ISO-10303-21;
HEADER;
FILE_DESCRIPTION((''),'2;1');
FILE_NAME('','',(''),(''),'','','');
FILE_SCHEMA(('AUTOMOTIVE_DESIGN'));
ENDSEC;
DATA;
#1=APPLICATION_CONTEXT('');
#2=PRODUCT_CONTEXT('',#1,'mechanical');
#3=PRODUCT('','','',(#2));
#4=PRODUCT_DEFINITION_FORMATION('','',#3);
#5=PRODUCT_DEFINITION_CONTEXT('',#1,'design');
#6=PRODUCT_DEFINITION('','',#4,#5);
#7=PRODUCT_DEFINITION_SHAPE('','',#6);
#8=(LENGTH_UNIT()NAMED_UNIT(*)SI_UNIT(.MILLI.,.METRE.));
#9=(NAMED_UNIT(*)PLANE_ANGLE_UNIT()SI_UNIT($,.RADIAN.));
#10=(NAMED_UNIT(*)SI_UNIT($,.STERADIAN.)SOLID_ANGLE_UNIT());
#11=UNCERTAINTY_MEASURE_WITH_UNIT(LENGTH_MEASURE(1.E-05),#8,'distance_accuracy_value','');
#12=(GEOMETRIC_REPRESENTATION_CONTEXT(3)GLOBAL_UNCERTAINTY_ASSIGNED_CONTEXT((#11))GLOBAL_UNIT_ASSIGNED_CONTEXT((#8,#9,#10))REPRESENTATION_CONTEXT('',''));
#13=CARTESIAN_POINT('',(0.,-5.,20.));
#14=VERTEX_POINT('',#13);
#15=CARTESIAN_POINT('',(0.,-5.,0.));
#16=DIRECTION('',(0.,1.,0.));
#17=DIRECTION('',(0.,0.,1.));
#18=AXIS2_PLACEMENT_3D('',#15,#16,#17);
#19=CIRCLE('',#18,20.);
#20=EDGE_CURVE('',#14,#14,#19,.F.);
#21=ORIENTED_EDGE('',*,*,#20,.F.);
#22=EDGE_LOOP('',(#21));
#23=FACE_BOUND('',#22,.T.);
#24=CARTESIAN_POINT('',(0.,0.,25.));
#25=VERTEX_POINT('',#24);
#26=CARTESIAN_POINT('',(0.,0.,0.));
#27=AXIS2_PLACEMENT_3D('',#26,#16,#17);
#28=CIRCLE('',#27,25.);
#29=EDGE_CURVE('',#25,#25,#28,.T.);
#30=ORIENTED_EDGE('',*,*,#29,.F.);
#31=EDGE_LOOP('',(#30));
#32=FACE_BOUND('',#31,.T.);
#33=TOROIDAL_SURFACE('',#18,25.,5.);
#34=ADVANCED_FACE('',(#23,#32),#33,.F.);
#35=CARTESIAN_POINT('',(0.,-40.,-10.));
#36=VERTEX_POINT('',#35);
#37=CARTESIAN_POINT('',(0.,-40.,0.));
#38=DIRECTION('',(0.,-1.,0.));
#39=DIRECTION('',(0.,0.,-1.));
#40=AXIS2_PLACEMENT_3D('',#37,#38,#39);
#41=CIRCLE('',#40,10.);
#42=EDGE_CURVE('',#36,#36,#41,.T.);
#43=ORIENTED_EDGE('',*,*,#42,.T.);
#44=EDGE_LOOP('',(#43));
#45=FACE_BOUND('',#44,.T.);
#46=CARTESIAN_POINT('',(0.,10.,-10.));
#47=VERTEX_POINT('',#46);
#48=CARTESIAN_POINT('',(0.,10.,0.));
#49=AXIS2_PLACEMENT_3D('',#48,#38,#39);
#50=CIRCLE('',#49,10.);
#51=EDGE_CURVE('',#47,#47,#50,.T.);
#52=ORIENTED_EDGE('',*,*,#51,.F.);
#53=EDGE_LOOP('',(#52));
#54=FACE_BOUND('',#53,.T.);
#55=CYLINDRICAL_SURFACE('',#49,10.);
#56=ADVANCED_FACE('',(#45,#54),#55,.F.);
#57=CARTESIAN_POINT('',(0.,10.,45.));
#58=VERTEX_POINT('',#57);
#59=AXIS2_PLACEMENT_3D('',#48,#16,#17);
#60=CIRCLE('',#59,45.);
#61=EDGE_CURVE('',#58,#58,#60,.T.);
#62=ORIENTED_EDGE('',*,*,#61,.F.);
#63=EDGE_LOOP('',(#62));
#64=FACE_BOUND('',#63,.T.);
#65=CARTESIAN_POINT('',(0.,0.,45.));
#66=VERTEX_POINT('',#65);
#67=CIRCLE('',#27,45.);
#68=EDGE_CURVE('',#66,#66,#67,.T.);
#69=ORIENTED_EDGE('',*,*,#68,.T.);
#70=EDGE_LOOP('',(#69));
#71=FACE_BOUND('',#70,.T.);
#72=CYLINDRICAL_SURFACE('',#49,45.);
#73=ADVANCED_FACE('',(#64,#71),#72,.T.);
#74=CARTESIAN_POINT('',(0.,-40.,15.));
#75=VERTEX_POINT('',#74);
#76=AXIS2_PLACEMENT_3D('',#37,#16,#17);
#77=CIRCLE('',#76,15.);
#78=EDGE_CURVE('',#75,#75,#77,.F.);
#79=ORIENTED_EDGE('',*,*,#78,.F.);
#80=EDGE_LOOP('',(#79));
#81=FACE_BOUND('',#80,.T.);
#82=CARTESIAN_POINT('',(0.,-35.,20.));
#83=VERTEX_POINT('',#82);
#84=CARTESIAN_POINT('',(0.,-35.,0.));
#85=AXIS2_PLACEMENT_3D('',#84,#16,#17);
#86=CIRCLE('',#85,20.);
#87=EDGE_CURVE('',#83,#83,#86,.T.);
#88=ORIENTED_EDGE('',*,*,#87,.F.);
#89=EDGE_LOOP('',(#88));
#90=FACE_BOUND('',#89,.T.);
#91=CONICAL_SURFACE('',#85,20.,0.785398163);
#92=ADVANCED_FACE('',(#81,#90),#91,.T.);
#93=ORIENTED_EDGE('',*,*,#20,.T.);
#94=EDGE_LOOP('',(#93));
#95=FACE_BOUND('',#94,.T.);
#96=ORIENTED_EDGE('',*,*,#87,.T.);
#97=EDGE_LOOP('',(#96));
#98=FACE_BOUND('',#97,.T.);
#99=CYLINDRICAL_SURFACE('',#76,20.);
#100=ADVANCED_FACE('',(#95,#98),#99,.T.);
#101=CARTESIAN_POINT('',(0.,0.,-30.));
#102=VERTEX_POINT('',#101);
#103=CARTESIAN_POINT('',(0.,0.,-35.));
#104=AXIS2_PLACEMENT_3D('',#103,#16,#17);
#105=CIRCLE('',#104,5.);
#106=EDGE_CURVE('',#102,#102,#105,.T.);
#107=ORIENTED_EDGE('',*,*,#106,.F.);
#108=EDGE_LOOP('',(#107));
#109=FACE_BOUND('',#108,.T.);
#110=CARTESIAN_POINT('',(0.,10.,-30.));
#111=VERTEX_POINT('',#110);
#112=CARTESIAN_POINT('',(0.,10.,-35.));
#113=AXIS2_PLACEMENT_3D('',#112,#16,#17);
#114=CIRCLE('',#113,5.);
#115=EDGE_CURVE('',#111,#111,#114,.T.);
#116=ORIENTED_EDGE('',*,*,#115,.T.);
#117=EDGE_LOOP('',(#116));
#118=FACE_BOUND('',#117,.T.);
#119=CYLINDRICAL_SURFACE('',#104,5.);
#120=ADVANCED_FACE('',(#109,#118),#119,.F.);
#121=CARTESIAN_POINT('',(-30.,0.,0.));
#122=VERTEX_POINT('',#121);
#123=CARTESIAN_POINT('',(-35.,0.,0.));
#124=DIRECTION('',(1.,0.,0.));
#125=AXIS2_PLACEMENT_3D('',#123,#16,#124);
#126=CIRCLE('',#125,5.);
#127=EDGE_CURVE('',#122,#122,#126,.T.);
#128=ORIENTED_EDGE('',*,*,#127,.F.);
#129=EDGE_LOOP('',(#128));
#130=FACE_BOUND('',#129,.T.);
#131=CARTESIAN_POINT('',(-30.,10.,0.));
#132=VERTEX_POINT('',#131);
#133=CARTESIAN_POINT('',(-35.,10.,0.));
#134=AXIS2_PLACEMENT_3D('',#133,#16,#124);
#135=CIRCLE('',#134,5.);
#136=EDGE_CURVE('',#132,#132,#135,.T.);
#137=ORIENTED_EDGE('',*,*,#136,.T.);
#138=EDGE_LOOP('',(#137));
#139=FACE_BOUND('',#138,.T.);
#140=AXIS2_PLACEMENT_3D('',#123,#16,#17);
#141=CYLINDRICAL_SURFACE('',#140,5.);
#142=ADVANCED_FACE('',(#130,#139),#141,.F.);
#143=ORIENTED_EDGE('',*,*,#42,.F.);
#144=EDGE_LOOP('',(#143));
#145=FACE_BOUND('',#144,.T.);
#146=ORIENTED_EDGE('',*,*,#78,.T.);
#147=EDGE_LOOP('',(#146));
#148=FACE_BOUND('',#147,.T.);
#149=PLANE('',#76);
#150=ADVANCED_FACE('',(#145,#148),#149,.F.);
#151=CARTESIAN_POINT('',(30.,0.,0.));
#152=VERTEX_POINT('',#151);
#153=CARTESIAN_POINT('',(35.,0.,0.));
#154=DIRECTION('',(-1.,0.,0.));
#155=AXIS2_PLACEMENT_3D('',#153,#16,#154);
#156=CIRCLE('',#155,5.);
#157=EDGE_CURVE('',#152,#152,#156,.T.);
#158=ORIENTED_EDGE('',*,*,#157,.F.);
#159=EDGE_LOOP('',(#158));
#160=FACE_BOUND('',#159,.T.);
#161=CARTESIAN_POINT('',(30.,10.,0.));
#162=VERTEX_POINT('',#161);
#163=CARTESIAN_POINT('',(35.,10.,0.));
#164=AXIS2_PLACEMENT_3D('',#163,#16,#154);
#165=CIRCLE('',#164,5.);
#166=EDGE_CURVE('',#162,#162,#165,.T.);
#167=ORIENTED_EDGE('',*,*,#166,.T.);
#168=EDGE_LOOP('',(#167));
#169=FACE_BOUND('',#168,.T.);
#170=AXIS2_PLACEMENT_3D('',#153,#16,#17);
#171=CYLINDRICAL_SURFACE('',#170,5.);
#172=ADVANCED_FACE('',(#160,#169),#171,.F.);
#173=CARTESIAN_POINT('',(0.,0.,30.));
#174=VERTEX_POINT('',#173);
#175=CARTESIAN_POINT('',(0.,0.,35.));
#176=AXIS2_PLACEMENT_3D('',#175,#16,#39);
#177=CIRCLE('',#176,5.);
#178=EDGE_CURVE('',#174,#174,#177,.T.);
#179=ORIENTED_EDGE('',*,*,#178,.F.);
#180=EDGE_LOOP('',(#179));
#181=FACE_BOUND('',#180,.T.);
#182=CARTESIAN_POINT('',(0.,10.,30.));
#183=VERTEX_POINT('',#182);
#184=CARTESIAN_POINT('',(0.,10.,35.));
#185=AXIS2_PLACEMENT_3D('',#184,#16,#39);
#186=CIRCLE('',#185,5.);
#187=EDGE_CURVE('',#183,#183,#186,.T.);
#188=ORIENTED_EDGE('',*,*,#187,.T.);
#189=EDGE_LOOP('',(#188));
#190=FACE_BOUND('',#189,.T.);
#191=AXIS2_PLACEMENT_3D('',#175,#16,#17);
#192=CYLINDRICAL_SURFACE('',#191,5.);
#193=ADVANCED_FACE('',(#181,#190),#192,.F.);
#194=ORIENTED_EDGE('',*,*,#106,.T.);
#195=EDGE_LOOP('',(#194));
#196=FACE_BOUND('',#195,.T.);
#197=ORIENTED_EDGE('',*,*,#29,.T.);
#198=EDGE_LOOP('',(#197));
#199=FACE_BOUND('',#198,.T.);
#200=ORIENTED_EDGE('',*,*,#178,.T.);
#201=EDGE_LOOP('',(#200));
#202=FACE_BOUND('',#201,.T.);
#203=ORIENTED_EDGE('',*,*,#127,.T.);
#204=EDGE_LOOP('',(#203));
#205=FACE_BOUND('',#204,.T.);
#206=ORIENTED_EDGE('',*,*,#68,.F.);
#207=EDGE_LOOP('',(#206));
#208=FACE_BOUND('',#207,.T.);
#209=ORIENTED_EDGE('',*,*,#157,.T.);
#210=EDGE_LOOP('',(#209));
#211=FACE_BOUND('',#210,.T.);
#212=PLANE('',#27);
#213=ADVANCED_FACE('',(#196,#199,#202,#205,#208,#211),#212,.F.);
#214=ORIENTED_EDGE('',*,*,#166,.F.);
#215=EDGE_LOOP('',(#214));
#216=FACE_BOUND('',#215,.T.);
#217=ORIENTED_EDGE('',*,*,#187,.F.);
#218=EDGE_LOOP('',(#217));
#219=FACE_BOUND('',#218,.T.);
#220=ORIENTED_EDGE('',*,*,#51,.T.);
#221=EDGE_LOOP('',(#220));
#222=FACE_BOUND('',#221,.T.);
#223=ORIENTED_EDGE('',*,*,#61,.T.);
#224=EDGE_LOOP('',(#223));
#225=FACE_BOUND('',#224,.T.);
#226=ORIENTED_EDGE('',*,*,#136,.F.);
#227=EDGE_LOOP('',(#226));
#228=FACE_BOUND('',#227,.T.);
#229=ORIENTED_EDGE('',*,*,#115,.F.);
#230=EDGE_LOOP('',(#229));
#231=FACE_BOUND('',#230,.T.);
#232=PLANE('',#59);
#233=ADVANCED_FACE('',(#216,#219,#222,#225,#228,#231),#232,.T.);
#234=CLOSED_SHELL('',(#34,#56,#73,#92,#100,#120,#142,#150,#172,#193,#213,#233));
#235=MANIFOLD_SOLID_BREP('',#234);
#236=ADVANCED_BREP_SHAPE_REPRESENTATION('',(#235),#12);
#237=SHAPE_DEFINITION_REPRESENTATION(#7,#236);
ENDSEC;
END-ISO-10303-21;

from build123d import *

# Parameters (mm, degrees)
SKICA1_R                 = 45
P_IDAT_VYSUNUT_M1_DEPTH  = 10
SKICA3_R                 = 5
ODEBRAT_VYSUNUT_M1_DEPTH = 65.420493634
KRUHOV_POLE1_COUNT       = 4
SKICA4_R                 = 20
P_IDAT_VYSUNUT_M2_DEPTH  = 50
SKICA5_R                 = 10
ODEBRAT_VYSUNUT_M2_DEPTH = 81.932070281
ZAOBLIT1_R               = 5
ZKOSEN_1_SIZE            = 5


with BuildPart() as part:
    # Skica1 → Přidat vysunutím1 (new body)
    with BuildSketch(Plane(origin=(0, 0, 0), x_dir=(1, 0, 0), z_dir=(0, 1, 0))):
        with Locations(Location((0, 0, 0), (0, 0, 270))):
            Circle(SKICA1_R)
    extrude(amount=P_IDAT_VYSUNUT_M1_DEPTH)

    # Skica3 → Odebrat vysunutím1 (cut, through all)
    with BuildSketch(Plane(origin=(0, 10, 0), x_dir=(1, 0, 0), z_dir=(0, 1, 0))):
        with Locations(Location((0, 35, 0), (0, 0, 270))):
            Circle(SKICA3_R)
    odebrat_vysunut_m1 = extrude(amount=-ODEBRAT_VYSUNUT_M1_DEPTH, mode=Mode.SUBTRACT)

    # Kruhové pole1: Odebrat vysunutím1 ×4 about axis
    kruhov_pole1_axis = Axis((0, 0, 0), (0, 1, 0))
    for i in range(1, KRUHOV_POLE1_COUNT):
        add(odebrat_vysunut_m1.rotate(kruhov_pole1_axis, i * 360 / KRUHOV_POLE1_COUNT), mode=Mode.SUBTRACT)

    # Skica4 → Přidat vysunutím2 (add)
    with BuildSketch(Plane(origin=(0, 10, 0), x_dir=(1, 0, 0), z_dir=(0, 1, 0))):
        with Locations(Location((0, 0, 0), (0, 0, 270))):
            Circle(SKICA4_R)
    extrude(amount=-P_IDAT_VYSUNUT_M2_DEPTH)

    # Skica5 → Odebrat vysunutím2 (cut, through all)
    with BuildSketch(Plane.XZ.offset(40)):
        with Locations(Location((0, 0, 0), (0, 0, 270))):
            Circle(SKICA5_R)
    extrude(amount=-ODEBRAT_VYSUNUT_M2_DEPTH, mode=Mode.SUBTRACT)

    # Zaoblit1
    zaoblit1_edges = [part.edges().sort_by_distance(p)[0] for p in [
        (0, 0, -20),
    ]]
    fillet(zaoblit1_edges, radius=ZAOBLIT1_R)

    # Zkosení1
    zkosen_1_edges = [part.edges().sort_by_distance(p)[0] for p in [
        (0, -40, -20),
    ]]
    chamfer(zkosen_1_edges, length=ZKOSEN_1_SIZE)


solid = part.part
